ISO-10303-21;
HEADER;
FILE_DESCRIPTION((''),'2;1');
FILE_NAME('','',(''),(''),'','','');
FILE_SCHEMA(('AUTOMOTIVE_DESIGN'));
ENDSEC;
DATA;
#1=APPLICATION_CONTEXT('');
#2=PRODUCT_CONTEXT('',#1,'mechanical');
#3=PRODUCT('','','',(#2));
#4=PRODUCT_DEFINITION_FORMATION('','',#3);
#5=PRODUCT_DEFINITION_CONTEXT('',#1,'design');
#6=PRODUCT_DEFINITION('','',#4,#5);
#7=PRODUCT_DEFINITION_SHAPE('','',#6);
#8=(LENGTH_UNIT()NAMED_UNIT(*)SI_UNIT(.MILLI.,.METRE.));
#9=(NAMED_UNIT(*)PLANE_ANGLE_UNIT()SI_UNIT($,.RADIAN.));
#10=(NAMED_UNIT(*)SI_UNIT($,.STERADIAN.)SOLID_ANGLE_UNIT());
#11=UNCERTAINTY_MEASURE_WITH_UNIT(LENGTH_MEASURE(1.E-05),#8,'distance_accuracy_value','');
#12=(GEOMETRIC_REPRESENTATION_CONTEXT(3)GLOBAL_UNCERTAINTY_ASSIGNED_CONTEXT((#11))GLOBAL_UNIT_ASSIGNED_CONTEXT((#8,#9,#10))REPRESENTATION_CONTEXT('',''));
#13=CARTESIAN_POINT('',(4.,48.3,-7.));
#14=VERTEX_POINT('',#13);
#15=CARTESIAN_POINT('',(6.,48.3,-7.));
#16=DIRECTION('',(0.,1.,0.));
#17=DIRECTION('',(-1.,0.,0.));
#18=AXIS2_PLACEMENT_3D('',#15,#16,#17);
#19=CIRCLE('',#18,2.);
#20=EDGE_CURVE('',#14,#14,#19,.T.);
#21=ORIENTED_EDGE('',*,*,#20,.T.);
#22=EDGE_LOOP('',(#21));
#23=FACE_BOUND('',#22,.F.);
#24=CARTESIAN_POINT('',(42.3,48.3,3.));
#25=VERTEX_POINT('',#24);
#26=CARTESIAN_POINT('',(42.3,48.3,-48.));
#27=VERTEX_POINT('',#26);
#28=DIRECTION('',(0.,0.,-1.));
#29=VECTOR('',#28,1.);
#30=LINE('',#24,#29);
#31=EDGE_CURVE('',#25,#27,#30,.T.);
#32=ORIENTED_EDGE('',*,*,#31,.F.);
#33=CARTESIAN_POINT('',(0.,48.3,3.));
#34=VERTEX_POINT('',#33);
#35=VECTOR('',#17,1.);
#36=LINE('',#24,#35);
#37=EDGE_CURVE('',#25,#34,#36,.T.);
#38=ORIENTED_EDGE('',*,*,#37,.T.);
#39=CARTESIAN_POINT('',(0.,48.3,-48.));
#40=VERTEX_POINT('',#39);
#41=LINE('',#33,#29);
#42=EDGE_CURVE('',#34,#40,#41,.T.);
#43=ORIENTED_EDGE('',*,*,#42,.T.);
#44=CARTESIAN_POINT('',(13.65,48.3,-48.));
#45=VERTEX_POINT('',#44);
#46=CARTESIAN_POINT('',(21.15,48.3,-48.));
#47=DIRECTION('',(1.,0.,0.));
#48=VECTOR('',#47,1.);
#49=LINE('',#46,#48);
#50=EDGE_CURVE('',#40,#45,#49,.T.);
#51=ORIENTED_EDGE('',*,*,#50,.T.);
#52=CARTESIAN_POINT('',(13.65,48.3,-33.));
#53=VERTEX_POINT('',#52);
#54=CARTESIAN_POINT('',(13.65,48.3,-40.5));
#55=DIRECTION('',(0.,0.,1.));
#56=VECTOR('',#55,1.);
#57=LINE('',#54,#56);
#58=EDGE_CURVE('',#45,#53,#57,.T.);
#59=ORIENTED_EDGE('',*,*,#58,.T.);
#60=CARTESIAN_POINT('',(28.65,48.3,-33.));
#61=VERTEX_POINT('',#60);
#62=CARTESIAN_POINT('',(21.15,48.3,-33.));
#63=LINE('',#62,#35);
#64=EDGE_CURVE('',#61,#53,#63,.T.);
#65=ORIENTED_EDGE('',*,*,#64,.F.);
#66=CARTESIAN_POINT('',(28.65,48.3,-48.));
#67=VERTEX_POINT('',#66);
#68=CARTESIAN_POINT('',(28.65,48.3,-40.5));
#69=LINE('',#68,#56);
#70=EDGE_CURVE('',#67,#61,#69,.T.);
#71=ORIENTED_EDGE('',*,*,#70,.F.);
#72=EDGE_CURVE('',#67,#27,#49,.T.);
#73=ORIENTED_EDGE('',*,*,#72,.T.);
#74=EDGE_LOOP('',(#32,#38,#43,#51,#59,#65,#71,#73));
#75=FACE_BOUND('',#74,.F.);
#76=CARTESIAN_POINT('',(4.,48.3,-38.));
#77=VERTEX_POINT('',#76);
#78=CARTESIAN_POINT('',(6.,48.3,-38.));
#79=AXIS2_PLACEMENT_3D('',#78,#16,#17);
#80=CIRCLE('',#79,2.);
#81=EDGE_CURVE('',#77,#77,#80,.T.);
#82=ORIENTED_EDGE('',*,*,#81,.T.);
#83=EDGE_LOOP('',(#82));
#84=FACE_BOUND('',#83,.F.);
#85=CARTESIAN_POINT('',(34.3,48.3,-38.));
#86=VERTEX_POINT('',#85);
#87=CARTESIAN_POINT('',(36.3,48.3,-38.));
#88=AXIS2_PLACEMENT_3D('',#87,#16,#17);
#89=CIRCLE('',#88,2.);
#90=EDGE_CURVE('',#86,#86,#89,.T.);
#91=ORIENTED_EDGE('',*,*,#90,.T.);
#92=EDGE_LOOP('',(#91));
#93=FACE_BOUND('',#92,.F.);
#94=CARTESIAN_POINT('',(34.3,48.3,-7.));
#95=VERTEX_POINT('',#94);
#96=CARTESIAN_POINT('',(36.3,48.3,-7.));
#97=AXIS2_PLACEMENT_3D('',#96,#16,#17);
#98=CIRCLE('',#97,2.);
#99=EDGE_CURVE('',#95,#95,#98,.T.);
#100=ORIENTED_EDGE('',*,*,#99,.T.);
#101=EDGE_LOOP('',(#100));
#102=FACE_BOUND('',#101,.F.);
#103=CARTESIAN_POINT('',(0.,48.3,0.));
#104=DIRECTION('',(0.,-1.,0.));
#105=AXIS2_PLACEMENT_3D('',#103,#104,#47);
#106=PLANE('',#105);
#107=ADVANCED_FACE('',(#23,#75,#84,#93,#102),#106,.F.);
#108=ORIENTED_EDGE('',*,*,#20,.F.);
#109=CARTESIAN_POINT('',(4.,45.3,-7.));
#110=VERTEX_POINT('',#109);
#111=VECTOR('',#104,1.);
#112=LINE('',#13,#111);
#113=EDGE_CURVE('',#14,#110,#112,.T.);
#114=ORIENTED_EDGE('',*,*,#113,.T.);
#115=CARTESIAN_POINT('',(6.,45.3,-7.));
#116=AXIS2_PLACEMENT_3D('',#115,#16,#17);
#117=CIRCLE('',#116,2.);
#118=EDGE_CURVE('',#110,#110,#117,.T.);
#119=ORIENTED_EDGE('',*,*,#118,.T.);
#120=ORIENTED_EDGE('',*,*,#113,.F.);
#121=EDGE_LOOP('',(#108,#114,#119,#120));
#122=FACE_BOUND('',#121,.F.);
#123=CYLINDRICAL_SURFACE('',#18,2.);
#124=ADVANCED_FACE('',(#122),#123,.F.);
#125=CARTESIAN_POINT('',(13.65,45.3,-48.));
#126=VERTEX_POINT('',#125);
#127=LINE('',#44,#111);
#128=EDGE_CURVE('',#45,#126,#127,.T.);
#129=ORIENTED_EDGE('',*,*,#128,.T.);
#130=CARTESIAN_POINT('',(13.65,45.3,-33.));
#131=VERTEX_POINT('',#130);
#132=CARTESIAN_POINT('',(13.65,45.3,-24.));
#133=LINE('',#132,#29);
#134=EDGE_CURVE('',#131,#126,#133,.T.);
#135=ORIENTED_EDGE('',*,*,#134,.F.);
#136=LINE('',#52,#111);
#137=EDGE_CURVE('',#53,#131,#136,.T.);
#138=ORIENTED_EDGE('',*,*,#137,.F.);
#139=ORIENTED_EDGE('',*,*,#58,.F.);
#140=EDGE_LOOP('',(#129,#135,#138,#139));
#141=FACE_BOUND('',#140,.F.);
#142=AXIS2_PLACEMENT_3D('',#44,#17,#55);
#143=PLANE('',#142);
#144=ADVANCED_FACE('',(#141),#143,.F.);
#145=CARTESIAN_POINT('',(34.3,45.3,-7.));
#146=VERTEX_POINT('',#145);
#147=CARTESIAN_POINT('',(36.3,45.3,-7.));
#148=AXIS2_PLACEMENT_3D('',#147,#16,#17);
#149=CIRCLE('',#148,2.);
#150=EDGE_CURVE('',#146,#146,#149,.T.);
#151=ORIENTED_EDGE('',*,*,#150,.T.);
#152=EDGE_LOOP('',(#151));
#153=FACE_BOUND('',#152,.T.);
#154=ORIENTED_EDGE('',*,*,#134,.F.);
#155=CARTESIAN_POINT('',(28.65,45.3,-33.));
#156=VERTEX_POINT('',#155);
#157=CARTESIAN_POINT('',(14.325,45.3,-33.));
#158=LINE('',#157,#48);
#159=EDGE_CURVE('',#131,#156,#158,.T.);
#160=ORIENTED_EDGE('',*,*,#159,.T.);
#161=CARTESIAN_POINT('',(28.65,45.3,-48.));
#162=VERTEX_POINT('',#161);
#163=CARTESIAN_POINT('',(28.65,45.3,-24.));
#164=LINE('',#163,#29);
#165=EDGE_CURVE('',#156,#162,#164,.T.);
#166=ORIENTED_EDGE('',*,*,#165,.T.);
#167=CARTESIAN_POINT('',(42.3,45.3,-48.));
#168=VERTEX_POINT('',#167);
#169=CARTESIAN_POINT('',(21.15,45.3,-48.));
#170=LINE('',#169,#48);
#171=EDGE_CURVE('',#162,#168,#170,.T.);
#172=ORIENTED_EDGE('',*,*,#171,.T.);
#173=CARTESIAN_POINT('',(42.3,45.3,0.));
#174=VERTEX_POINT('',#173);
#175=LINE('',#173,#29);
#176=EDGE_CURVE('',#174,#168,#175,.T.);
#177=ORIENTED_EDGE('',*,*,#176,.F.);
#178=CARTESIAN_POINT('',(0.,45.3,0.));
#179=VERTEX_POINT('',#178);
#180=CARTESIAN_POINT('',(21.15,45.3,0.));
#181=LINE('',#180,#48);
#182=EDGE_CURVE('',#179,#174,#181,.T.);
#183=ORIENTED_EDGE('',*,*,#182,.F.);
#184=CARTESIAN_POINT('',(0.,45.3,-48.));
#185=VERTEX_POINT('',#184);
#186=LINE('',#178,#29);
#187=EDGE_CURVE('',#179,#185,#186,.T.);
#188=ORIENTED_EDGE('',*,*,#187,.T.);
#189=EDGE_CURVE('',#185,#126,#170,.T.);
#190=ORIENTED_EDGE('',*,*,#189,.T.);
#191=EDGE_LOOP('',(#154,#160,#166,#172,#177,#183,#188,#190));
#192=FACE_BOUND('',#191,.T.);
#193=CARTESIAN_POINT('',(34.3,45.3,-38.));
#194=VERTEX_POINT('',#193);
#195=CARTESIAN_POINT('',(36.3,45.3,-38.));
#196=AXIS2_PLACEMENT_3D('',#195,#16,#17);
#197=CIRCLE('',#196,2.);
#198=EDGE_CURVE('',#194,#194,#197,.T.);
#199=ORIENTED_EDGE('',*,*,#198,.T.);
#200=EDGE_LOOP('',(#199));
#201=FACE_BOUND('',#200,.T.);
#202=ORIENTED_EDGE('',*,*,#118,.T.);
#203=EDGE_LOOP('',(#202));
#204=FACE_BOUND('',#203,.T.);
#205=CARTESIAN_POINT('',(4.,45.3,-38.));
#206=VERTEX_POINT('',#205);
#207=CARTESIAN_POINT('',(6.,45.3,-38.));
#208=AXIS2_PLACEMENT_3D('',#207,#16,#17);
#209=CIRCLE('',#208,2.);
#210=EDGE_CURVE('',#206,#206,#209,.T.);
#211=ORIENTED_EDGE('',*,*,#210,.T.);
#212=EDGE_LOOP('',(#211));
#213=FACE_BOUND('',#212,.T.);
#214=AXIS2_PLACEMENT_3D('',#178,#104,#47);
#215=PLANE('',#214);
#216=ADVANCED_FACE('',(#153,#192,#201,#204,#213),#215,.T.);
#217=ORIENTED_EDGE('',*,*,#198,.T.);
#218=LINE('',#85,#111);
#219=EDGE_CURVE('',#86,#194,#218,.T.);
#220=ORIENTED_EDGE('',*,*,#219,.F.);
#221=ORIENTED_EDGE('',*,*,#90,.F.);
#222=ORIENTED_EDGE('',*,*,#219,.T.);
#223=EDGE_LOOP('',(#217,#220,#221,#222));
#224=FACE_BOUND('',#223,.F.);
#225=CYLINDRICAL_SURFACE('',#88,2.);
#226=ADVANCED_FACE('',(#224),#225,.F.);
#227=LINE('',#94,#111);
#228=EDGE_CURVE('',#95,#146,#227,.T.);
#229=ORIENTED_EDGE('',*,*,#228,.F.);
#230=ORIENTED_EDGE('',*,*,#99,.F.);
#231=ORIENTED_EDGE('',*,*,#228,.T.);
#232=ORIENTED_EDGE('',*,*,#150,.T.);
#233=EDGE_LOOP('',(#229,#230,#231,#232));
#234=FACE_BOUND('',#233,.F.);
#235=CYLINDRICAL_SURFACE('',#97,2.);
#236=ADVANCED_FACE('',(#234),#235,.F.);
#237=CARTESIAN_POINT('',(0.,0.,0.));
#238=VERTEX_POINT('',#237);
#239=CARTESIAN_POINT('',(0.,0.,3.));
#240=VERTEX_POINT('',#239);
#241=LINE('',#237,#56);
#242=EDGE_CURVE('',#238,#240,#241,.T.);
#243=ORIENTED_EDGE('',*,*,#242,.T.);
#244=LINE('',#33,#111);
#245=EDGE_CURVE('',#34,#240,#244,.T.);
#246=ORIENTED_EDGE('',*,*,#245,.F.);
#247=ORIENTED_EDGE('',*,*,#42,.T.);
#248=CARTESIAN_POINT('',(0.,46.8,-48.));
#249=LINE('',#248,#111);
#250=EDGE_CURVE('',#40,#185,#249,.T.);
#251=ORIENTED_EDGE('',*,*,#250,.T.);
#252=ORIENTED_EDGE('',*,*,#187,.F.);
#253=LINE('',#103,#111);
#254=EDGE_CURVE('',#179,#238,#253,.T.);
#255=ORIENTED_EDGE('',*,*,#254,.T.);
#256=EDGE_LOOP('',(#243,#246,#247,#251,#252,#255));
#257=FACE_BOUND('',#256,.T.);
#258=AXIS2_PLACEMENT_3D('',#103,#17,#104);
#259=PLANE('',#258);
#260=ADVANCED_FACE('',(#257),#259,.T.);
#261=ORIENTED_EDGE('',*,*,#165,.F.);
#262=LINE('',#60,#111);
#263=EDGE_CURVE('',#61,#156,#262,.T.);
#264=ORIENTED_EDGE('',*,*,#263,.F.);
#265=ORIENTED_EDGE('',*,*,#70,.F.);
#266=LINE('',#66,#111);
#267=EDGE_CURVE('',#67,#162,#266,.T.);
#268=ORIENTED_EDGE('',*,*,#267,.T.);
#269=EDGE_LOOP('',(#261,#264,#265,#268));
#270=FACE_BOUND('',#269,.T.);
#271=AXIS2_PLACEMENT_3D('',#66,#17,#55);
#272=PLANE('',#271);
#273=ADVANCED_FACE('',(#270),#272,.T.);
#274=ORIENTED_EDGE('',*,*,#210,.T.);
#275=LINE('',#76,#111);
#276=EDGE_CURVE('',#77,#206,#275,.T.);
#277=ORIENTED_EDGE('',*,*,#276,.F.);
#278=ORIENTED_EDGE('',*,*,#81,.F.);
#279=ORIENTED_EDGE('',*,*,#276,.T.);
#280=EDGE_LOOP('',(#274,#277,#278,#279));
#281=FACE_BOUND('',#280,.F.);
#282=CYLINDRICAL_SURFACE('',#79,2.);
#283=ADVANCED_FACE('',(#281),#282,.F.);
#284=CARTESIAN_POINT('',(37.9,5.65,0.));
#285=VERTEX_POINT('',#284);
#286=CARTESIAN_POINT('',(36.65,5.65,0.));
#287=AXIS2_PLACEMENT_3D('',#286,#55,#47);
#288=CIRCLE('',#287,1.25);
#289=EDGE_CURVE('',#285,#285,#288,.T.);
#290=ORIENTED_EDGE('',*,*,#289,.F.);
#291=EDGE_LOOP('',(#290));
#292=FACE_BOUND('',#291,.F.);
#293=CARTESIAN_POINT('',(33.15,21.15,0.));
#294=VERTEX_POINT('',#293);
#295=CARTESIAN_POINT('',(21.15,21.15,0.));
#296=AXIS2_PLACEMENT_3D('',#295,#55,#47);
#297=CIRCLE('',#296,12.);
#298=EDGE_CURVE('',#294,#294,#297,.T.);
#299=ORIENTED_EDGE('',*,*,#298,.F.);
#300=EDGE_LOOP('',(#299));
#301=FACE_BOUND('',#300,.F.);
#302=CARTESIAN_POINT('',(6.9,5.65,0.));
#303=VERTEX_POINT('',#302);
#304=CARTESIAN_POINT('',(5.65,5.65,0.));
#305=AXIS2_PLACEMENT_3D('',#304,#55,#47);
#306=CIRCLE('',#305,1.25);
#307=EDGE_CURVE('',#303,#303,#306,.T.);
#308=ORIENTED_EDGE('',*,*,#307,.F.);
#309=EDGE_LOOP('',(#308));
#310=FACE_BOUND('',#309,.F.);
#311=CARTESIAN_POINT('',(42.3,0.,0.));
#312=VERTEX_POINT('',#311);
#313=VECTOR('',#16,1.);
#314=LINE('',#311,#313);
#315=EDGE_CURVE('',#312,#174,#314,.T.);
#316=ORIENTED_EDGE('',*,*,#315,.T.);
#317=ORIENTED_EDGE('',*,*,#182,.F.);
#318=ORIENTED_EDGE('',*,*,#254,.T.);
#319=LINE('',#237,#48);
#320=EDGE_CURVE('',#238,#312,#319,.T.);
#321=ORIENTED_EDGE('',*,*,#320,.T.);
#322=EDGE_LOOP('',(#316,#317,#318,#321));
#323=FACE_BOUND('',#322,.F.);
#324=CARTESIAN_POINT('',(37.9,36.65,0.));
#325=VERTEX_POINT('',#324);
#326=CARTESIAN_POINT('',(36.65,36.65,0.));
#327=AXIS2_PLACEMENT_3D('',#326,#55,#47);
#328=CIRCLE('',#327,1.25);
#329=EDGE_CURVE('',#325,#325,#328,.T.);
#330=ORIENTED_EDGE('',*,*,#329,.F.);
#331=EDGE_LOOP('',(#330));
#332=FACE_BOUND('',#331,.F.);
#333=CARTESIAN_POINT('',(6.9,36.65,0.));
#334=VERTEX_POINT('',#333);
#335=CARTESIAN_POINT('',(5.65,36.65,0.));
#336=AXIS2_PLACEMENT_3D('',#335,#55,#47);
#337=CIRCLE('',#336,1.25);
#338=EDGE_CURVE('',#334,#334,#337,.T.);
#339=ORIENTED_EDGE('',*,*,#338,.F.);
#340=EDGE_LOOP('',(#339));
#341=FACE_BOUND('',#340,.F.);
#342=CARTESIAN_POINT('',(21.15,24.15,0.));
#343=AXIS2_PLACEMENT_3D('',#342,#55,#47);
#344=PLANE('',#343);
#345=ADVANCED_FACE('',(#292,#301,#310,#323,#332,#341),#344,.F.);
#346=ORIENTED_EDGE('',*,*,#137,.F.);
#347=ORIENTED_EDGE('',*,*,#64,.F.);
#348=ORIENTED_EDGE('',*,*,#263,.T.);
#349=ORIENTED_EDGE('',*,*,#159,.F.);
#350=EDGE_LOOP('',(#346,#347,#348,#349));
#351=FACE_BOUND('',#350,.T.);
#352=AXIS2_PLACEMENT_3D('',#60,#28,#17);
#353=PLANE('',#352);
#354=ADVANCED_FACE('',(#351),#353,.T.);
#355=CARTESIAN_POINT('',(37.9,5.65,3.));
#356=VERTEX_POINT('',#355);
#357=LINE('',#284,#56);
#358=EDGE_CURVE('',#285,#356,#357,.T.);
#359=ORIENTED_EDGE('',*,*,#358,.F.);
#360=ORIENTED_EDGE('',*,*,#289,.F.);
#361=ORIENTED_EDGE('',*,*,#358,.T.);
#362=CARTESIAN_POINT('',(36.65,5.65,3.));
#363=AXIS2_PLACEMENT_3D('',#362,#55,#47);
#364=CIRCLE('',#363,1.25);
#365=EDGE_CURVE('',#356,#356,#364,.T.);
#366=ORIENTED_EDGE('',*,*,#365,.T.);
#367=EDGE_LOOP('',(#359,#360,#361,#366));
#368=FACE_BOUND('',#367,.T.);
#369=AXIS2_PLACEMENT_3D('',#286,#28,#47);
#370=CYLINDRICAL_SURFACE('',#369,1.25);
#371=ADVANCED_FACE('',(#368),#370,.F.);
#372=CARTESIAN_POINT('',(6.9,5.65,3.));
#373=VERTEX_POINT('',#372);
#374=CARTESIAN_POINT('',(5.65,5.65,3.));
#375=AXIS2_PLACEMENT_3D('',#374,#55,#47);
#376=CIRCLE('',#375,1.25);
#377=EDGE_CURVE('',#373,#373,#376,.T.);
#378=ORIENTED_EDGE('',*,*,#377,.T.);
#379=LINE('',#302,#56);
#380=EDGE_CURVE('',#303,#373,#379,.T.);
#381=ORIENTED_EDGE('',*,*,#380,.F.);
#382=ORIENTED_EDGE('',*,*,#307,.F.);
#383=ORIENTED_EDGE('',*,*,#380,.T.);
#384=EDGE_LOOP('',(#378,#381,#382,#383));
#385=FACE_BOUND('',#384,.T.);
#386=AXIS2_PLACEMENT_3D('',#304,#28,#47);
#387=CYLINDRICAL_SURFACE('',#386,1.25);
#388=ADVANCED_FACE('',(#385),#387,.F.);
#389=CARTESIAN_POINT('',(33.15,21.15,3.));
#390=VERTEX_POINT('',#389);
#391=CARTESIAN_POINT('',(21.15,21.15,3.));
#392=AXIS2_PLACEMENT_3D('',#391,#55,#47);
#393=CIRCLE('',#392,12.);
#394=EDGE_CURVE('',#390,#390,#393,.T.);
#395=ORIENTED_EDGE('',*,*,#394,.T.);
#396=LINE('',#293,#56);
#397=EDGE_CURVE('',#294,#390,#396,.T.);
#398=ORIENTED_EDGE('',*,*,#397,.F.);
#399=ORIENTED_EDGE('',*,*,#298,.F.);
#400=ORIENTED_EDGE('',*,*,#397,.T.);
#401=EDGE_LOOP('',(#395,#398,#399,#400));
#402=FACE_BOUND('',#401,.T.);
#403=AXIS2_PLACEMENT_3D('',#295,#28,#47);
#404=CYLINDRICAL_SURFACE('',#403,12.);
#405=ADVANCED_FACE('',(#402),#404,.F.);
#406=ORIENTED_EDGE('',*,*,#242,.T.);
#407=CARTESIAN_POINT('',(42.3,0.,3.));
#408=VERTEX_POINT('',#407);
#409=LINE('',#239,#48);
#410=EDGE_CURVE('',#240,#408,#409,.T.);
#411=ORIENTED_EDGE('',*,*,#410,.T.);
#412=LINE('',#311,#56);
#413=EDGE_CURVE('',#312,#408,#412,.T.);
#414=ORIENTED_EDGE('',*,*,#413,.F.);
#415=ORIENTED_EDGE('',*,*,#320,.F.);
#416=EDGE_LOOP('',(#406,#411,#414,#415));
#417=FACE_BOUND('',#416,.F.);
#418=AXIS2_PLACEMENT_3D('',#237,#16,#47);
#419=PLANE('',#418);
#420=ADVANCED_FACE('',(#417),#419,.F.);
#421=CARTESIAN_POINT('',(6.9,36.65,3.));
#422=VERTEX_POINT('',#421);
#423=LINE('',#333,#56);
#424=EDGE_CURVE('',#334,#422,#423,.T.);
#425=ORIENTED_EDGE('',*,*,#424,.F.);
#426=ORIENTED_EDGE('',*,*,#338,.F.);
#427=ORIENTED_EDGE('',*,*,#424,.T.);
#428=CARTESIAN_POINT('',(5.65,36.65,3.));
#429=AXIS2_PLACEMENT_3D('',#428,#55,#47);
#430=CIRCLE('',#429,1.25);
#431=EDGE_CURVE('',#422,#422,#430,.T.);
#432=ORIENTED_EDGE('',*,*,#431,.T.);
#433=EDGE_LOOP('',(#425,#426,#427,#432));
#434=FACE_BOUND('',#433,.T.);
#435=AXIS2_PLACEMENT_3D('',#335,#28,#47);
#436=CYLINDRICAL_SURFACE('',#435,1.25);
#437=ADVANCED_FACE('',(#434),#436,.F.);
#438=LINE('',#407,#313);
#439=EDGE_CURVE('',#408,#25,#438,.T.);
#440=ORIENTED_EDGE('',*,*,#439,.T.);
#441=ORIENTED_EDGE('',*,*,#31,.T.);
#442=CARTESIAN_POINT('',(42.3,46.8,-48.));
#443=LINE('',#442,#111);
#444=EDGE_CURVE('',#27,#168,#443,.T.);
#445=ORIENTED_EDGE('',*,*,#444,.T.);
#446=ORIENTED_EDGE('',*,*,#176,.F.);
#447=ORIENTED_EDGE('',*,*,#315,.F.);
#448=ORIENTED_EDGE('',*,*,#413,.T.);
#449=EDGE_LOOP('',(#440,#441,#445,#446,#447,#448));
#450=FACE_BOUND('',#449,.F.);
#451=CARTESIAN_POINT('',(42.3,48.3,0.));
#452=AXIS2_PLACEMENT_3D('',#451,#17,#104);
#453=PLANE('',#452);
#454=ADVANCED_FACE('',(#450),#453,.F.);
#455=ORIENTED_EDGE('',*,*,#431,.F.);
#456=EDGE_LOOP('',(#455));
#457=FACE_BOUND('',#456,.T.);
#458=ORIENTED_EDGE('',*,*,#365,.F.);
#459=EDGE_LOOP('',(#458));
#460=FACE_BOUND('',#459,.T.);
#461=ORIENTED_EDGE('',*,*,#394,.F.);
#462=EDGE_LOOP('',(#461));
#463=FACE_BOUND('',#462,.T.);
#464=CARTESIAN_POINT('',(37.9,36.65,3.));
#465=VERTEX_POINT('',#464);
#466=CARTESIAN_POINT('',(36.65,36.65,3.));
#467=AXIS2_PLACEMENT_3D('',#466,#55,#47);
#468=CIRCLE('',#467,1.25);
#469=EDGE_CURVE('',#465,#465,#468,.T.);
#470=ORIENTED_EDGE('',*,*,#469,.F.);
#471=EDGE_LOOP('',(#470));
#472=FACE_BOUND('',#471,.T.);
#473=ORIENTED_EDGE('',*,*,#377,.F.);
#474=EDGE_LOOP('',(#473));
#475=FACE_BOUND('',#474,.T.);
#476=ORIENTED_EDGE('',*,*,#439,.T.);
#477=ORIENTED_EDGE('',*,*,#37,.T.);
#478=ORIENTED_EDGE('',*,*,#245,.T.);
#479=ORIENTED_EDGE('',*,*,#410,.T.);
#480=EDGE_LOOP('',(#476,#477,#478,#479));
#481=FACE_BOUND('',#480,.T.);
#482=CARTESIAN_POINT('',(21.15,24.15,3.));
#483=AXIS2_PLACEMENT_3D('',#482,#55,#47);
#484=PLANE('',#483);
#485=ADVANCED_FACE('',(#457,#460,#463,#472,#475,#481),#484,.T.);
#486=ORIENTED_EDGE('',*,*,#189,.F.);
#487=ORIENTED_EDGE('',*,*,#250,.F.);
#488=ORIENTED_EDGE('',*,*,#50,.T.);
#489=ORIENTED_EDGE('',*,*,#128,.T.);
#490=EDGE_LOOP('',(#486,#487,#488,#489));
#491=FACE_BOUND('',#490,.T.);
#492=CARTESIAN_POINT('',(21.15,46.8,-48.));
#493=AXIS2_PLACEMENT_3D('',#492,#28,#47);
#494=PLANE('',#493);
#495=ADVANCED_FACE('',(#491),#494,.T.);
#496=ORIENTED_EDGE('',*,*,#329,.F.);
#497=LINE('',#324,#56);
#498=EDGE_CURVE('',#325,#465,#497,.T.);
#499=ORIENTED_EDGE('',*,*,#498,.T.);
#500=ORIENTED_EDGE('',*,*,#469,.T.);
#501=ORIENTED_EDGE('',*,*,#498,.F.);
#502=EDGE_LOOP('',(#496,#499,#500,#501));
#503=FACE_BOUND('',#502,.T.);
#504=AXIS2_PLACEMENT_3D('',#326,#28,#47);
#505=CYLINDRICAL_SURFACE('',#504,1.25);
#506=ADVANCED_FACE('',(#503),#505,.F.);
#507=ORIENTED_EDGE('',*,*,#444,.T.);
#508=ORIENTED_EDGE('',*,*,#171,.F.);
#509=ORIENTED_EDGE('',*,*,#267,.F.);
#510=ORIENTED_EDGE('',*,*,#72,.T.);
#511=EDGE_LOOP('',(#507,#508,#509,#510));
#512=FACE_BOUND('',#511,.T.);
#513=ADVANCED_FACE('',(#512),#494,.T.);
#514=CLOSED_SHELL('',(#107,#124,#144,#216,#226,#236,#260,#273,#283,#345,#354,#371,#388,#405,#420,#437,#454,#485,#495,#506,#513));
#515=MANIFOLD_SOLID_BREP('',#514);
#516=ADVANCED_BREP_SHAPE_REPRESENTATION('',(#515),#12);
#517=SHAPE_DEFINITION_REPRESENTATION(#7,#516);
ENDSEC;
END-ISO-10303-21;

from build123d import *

# Parameters (mm, degrees)
SKETCH_R     = 1.25
SKETCH_R_2   = 12
PAD_DEPTH    = 3
SKETCH001_W  = 42.3
SKETCH001_H  = 3
PAD001_DEPTH = 48
SKETCH002_R  = 2
SKETCH002_W  = 15
SKETCH002_H  = 15
POCKET_DEPTH = 48.301


with BuildPart() as part:
    # Sketch → Pad (new body)
    with BuildSketch(Plane.XY):
        Polygon((0, 0), (42.3, 0), (42.3, 42.3), (42.3, 48.3), (0, 48.3), (0, 42.3), align=None)
        with Locations((5.65, 36.65)):
            Circle(SKETCH_R, mode=Mode.SUBTRACT)
        with Locations((36.65, 36.65)):
            Circle(SKETCH_R, mode=Mode.SUBTRACT)
        with Locations((5.65, 5.65)):
            Circle(SKETCH_R, mode=Mode.SUBTRACT)
        with Locations((36.65, 5.65)):
            Circle(SKETCH_R, mode=Mode.SUBTRACT)
        with Locations((21.15, 21.15)):
            Circle(SKETCH_R_2, mode=Mode.SUBTRACT)
    extrude(amount=PAD_DEPTH)

    # Sketch001 → Pad001 (new body)
    with BuildSketch(Plane(origin=(0, 0, 0), x_dir=(1, 0, 0), z_dir=(0, 0, -1))):
        with Locations((21.15, -46.8)):
            Rectangle(SKETCH001_W, SKETCH001_H)
    extrude(amount=PAD001_DEPTH)

    # Sketch002 → Pocket (cut, through all)
    with BuildSketch(Plane(origin=(0, 48.3, 0), x_dir=(-1, 0, 0), z_dir=(0, 1, 0))):
        with Locations((-36.3, -7)):
            Circle(SKETCH002_R)
        with Locations((-6, -7)):
            Circle(SKETCH002_R)
        with Locations((-36.3, -38)):
            Circle(SKETCH002_R)
        with Locations((-6, -38)):
            Circle(SKETCH002_R)
        with Locations((-21.15, -40.5)):
            Rectangle(SKETCH002_W, SKETCH002_H)
    extrude(amount=-POCKET_DEPTH, mode=Mode.SUBTRACT)


solid = part.part
